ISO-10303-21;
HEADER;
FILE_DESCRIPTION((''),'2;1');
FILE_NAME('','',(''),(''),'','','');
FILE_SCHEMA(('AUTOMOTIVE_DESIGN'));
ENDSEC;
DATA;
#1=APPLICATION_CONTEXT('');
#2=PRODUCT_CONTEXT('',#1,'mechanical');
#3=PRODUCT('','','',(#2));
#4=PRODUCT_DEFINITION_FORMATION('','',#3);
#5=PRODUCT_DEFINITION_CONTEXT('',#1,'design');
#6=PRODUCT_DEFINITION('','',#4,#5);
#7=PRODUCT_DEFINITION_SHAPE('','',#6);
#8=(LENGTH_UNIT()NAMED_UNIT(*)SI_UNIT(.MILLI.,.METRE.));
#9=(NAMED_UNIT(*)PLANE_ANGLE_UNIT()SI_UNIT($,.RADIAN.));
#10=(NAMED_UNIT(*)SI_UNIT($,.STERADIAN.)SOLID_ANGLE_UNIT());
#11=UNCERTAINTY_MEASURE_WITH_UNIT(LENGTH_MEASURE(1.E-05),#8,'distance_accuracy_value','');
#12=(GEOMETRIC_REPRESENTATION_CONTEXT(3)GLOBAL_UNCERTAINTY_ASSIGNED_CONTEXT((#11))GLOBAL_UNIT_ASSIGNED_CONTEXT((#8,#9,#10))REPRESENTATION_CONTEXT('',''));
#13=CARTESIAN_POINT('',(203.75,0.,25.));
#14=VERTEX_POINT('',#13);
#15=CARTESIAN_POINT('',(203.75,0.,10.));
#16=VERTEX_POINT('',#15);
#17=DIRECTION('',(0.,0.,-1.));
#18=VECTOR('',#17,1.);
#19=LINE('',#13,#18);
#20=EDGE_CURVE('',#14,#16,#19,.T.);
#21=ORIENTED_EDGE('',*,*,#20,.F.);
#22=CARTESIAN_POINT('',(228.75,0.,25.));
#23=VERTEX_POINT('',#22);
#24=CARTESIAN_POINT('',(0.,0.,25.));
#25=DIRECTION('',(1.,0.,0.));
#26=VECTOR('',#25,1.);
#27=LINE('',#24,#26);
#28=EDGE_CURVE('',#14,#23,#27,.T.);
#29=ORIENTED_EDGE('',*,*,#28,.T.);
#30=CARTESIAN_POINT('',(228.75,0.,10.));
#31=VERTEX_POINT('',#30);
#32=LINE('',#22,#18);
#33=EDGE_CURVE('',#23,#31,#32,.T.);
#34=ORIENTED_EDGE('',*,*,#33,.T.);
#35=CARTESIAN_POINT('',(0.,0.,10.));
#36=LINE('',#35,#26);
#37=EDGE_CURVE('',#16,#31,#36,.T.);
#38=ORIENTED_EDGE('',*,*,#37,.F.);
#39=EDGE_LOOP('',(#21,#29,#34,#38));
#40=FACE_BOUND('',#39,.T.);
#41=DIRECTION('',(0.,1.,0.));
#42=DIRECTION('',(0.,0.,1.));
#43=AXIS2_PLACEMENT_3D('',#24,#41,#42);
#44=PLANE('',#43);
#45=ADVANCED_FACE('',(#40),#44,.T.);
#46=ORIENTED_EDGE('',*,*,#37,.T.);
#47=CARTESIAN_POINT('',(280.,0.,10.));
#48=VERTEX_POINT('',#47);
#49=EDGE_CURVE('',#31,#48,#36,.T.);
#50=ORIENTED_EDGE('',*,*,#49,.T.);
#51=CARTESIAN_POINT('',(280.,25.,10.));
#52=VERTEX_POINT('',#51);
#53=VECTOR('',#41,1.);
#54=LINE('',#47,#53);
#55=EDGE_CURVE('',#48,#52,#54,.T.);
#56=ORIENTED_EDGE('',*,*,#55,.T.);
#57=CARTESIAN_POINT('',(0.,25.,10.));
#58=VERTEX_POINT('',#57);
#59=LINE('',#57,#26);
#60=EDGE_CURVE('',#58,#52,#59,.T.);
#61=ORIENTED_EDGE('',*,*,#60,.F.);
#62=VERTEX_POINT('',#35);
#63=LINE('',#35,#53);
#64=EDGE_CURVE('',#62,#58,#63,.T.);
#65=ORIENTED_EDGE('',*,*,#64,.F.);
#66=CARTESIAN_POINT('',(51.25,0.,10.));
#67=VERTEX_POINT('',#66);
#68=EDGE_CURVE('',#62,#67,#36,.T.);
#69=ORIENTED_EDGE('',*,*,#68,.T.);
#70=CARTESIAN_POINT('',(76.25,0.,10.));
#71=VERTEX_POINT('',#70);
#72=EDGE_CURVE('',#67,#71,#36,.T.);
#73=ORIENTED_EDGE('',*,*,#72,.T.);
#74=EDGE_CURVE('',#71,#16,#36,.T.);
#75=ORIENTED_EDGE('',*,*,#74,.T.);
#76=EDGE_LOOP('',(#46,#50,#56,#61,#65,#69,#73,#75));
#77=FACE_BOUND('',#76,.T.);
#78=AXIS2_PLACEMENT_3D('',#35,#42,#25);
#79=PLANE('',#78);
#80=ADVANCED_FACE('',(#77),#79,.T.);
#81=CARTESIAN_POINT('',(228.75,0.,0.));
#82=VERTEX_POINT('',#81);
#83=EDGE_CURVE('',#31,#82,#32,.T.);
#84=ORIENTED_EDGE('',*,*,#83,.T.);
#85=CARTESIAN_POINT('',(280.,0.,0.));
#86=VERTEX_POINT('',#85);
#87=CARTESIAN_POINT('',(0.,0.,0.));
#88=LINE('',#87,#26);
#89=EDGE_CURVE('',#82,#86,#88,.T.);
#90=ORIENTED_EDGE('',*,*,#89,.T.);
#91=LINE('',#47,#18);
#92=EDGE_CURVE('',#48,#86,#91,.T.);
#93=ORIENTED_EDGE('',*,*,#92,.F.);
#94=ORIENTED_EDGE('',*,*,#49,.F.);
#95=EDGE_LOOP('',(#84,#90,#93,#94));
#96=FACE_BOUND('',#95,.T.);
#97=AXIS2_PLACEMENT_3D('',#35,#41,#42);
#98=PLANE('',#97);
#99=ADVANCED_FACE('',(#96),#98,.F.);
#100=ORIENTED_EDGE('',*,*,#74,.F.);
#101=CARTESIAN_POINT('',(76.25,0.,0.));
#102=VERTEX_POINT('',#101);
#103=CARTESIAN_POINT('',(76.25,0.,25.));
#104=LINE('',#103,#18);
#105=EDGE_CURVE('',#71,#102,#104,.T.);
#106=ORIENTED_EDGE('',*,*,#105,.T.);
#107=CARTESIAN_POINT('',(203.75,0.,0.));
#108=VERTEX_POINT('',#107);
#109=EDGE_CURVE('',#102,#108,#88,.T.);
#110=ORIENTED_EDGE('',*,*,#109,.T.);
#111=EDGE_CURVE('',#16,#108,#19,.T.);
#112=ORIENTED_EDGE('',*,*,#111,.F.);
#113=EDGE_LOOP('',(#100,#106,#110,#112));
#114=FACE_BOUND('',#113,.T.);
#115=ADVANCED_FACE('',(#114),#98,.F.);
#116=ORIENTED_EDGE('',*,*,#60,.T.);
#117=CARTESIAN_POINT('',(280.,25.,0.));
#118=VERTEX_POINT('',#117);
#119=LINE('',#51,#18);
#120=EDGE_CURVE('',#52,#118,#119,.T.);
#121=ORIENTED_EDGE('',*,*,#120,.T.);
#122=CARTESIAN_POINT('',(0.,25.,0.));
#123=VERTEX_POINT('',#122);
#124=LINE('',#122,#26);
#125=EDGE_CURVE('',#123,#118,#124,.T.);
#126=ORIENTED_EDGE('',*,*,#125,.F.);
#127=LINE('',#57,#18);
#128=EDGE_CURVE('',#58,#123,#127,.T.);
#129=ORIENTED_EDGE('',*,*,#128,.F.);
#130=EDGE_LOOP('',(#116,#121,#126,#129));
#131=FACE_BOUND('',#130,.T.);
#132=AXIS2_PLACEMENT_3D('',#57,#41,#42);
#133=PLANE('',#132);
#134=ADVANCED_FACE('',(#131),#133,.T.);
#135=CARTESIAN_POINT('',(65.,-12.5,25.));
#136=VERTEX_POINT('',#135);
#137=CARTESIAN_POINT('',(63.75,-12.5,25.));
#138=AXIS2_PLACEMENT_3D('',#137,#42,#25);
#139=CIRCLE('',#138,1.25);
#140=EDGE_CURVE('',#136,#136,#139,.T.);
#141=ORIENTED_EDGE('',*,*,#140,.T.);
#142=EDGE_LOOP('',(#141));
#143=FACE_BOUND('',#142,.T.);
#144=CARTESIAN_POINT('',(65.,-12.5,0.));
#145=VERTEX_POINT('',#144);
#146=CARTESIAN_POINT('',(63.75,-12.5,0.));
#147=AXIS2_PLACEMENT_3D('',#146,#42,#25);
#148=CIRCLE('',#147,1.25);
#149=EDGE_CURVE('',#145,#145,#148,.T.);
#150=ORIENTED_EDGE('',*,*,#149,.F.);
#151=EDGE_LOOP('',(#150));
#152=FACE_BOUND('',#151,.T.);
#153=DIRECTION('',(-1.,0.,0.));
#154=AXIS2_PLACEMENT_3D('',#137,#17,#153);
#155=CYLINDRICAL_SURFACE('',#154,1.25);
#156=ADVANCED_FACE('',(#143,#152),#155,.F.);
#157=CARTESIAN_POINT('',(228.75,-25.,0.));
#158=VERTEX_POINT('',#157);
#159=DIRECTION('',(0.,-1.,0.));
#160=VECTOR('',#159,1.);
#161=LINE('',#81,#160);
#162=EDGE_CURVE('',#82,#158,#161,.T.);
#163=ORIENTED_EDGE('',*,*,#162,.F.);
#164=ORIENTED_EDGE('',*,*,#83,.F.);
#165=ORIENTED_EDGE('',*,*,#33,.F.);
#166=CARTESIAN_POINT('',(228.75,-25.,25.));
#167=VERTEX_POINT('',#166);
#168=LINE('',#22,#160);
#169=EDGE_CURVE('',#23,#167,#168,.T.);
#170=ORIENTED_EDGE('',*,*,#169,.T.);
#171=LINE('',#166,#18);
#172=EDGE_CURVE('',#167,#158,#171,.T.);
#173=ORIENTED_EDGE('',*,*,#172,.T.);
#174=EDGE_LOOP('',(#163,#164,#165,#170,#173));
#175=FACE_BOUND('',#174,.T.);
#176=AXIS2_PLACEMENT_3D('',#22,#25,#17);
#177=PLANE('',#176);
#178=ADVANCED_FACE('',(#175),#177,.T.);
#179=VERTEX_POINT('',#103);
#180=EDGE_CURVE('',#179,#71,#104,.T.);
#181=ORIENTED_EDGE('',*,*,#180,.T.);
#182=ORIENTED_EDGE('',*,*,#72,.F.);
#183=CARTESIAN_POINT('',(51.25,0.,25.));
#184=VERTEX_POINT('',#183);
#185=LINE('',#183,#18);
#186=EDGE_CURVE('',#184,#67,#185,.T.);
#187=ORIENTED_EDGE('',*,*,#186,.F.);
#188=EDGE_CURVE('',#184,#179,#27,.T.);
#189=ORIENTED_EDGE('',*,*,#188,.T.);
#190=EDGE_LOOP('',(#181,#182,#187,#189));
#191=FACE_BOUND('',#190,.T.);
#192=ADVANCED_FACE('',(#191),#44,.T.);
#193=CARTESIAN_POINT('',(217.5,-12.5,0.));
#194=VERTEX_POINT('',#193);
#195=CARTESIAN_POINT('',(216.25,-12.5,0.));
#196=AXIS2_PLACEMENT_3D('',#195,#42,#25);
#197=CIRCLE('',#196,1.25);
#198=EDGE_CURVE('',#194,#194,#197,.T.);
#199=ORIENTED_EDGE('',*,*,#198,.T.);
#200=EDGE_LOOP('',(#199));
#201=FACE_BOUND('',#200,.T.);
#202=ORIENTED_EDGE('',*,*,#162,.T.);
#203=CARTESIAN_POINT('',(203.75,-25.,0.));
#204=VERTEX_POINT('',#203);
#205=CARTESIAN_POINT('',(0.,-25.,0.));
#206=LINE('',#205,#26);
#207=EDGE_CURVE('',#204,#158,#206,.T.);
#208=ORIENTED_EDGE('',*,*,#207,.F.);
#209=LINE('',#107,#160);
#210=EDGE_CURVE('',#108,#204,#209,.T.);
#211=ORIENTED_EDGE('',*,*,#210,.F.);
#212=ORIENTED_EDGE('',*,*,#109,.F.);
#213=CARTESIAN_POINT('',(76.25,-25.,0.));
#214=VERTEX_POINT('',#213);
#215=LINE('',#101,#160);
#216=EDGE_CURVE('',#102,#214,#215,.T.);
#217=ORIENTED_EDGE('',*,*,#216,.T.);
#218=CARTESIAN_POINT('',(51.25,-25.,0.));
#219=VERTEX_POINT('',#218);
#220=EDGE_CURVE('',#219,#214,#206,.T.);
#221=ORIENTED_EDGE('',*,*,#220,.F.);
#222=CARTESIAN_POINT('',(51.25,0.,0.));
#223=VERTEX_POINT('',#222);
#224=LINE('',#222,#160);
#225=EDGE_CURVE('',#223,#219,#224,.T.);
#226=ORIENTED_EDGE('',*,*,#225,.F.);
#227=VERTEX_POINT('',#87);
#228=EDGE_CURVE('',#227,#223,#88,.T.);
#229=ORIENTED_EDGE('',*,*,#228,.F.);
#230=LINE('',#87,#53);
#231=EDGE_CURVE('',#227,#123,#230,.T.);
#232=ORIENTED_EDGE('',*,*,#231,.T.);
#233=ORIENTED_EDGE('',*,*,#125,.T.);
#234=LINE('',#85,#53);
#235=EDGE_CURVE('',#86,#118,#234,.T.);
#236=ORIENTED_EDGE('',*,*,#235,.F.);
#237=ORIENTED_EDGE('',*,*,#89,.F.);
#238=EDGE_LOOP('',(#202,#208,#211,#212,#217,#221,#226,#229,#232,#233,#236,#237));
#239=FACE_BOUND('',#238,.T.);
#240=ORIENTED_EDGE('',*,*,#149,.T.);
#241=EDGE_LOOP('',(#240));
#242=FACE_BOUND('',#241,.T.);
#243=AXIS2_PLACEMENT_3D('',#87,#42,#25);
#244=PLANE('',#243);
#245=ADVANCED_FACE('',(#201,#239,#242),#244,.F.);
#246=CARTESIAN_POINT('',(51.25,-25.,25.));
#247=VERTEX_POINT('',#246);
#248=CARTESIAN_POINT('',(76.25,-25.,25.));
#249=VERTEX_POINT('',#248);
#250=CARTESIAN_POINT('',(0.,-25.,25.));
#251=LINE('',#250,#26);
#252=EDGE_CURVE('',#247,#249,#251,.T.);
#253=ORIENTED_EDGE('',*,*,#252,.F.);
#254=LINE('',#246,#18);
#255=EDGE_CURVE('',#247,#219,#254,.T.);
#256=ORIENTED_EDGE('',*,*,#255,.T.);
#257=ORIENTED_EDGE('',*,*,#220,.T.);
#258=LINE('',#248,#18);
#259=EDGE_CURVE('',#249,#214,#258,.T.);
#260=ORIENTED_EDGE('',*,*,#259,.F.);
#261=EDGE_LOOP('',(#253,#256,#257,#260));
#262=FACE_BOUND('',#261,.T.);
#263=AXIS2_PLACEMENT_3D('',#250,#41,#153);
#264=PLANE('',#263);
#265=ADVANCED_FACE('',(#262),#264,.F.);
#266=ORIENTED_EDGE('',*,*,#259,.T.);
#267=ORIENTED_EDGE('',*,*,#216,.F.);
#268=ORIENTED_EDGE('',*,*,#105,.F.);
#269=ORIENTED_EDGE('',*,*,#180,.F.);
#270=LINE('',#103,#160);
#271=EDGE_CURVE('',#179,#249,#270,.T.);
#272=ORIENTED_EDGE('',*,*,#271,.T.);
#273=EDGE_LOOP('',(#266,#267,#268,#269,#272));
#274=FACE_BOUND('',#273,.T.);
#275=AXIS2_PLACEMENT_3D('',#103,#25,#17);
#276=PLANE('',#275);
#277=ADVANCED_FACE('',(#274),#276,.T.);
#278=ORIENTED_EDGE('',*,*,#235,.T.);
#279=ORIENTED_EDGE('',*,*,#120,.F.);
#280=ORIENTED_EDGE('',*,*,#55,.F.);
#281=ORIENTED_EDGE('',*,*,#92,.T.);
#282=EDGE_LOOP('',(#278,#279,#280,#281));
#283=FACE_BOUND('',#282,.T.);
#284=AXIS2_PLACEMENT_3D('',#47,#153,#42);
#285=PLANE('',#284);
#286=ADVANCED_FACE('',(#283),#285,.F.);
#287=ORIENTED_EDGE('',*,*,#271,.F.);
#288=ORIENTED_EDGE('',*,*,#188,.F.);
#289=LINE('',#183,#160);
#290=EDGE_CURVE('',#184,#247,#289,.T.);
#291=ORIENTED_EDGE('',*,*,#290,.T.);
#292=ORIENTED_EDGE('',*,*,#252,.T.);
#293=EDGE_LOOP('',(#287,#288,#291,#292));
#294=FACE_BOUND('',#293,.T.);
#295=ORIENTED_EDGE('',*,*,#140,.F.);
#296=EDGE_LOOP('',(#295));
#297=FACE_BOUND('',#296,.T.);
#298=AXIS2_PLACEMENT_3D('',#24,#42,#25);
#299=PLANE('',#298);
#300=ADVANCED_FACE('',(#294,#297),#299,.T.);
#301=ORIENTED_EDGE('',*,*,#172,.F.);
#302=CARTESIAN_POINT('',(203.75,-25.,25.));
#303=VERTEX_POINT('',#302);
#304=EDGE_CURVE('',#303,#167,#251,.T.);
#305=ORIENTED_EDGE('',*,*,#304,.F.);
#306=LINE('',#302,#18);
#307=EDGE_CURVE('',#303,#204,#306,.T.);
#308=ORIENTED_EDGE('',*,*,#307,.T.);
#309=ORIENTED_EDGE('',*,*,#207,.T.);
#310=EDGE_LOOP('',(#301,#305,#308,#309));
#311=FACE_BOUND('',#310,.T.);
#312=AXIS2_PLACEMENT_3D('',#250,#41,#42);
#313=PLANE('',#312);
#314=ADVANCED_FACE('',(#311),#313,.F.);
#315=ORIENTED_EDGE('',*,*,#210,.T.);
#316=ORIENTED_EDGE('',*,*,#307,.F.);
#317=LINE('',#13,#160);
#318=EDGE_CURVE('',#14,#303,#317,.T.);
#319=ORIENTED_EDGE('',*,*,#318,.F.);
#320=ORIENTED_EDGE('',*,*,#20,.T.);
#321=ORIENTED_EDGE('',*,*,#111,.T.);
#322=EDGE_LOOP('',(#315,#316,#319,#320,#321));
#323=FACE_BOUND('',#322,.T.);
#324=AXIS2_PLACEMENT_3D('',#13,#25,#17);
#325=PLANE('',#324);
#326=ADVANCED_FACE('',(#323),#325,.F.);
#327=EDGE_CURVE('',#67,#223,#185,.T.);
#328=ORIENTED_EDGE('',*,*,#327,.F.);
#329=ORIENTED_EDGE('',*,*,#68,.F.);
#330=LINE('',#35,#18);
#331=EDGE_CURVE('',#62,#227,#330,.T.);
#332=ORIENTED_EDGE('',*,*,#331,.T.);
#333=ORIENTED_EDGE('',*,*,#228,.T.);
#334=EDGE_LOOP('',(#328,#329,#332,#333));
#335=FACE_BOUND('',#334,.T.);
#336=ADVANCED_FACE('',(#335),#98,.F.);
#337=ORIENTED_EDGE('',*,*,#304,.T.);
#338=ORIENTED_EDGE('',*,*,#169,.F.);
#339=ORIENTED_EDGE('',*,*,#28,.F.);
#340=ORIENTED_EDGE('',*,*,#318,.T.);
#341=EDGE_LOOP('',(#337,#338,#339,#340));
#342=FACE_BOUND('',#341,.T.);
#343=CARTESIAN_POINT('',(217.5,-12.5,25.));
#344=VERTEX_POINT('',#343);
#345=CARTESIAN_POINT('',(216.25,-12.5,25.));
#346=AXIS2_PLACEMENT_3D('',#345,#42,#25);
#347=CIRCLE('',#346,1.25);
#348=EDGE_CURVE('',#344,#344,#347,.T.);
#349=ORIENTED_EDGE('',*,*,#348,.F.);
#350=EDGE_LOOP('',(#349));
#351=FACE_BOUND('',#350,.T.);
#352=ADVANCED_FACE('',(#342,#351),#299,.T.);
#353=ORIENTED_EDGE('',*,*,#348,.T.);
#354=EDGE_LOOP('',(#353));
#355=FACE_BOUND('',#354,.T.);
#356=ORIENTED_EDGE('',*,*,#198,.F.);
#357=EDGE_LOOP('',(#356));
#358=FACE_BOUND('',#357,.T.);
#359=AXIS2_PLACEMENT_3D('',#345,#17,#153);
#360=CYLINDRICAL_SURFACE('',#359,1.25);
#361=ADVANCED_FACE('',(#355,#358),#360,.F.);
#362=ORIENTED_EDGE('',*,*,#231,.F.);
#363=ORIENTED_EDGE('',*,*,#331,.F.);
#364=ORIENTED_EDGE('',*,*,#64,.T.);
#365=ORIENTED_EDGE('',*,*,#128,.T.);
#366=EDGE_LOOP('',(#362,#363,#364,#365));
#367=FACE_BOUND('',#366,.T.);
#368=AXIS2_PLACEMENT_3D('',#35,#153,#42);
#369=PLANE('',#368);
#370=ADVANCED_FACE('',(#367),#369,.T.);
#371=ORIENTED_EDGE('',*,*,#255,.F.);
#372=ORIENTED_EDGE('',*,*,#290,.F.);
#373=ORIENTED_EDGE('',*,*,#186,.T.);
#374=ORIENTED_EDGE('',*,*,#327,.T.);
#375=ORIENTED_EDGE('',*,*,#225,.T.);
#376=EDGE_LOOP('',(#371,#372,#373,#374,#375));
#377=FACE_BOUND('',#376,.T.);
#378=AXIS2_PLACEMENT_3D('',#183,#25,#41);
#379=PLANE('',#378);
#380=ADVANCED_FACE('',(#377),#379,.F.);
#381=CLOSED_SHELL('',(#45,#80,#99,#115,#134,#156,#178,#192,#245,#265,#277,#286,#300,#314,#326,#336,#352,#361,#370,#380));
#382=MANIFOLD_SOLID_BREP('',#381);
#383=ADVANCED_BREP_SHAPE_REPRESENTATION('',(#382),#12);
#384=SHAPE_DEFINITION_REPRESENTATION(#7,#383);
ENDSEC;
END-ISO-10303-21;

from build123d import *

# Parameters (mm, degrees)
ESQUISSE1_W        = 25
ESQUISSE1_H        = 25
ESQUISSE1_R        = 1.25
BOSS_EXTRU_2_DEPTH = 25
ESQUISSE1_5_W      = 25
ESQUISSE1_5_H      = 25
ESQUISSE1_5_R      = 1.25
BOSS_EXTRU_3_DEPTH = 25
BOSS_EXTRU_4_DEPTH = 10


with BuildPart() as part:
    # Esquisse1 → Boss.-Extru.2 (new body)
    with BuildSketch(Plane.XY):
        with Locations((63.75, -12.5)):
            Rectangle(ESQUISSE1_W, ESQUISSE1_H)
        with Locations((63.75, -12.5)):
            Circle(ESQUISSE1_R, mode=Mode.SUBTRACT)
    extrude(amount=BOSS_EXTRU_2_DEPTH)



with BuildPart() as body_2:
    # Esquisse1<5> → Boss.-Extru.3 (new body)
    with BuildSketch(Plane.XY):
        with Locations((216.25, -12.5)):
            Rectangle(ESQUISSE1_5_W, ESQUISSE1_5_H)
        with Locations((216.25, -12.5)):
            Circle(ESQUISSE1_5_R, mode=Mode.SUBTRACT)
    extrude(amount=BOSS_EXTRU_3_DEPTH)


with BuildPart() as part_1:
    add(part.part)

    add(body_2.part)  # Boss.-Extru.4 merges body 2
    # Esquisse1<7> → Boss.-Extru.4 (add)
    with BuildSketch(Plane.XY):
        Polygon((0, 25), (0, 0), (51.25, 0), (76.25, 0), (203.75, 0), (228.75, 0), (280, 0), (280, 25), align=None)
    extrude(amount=BOSS_EXTRU_4_DEPTH)


solid = part_1.part
